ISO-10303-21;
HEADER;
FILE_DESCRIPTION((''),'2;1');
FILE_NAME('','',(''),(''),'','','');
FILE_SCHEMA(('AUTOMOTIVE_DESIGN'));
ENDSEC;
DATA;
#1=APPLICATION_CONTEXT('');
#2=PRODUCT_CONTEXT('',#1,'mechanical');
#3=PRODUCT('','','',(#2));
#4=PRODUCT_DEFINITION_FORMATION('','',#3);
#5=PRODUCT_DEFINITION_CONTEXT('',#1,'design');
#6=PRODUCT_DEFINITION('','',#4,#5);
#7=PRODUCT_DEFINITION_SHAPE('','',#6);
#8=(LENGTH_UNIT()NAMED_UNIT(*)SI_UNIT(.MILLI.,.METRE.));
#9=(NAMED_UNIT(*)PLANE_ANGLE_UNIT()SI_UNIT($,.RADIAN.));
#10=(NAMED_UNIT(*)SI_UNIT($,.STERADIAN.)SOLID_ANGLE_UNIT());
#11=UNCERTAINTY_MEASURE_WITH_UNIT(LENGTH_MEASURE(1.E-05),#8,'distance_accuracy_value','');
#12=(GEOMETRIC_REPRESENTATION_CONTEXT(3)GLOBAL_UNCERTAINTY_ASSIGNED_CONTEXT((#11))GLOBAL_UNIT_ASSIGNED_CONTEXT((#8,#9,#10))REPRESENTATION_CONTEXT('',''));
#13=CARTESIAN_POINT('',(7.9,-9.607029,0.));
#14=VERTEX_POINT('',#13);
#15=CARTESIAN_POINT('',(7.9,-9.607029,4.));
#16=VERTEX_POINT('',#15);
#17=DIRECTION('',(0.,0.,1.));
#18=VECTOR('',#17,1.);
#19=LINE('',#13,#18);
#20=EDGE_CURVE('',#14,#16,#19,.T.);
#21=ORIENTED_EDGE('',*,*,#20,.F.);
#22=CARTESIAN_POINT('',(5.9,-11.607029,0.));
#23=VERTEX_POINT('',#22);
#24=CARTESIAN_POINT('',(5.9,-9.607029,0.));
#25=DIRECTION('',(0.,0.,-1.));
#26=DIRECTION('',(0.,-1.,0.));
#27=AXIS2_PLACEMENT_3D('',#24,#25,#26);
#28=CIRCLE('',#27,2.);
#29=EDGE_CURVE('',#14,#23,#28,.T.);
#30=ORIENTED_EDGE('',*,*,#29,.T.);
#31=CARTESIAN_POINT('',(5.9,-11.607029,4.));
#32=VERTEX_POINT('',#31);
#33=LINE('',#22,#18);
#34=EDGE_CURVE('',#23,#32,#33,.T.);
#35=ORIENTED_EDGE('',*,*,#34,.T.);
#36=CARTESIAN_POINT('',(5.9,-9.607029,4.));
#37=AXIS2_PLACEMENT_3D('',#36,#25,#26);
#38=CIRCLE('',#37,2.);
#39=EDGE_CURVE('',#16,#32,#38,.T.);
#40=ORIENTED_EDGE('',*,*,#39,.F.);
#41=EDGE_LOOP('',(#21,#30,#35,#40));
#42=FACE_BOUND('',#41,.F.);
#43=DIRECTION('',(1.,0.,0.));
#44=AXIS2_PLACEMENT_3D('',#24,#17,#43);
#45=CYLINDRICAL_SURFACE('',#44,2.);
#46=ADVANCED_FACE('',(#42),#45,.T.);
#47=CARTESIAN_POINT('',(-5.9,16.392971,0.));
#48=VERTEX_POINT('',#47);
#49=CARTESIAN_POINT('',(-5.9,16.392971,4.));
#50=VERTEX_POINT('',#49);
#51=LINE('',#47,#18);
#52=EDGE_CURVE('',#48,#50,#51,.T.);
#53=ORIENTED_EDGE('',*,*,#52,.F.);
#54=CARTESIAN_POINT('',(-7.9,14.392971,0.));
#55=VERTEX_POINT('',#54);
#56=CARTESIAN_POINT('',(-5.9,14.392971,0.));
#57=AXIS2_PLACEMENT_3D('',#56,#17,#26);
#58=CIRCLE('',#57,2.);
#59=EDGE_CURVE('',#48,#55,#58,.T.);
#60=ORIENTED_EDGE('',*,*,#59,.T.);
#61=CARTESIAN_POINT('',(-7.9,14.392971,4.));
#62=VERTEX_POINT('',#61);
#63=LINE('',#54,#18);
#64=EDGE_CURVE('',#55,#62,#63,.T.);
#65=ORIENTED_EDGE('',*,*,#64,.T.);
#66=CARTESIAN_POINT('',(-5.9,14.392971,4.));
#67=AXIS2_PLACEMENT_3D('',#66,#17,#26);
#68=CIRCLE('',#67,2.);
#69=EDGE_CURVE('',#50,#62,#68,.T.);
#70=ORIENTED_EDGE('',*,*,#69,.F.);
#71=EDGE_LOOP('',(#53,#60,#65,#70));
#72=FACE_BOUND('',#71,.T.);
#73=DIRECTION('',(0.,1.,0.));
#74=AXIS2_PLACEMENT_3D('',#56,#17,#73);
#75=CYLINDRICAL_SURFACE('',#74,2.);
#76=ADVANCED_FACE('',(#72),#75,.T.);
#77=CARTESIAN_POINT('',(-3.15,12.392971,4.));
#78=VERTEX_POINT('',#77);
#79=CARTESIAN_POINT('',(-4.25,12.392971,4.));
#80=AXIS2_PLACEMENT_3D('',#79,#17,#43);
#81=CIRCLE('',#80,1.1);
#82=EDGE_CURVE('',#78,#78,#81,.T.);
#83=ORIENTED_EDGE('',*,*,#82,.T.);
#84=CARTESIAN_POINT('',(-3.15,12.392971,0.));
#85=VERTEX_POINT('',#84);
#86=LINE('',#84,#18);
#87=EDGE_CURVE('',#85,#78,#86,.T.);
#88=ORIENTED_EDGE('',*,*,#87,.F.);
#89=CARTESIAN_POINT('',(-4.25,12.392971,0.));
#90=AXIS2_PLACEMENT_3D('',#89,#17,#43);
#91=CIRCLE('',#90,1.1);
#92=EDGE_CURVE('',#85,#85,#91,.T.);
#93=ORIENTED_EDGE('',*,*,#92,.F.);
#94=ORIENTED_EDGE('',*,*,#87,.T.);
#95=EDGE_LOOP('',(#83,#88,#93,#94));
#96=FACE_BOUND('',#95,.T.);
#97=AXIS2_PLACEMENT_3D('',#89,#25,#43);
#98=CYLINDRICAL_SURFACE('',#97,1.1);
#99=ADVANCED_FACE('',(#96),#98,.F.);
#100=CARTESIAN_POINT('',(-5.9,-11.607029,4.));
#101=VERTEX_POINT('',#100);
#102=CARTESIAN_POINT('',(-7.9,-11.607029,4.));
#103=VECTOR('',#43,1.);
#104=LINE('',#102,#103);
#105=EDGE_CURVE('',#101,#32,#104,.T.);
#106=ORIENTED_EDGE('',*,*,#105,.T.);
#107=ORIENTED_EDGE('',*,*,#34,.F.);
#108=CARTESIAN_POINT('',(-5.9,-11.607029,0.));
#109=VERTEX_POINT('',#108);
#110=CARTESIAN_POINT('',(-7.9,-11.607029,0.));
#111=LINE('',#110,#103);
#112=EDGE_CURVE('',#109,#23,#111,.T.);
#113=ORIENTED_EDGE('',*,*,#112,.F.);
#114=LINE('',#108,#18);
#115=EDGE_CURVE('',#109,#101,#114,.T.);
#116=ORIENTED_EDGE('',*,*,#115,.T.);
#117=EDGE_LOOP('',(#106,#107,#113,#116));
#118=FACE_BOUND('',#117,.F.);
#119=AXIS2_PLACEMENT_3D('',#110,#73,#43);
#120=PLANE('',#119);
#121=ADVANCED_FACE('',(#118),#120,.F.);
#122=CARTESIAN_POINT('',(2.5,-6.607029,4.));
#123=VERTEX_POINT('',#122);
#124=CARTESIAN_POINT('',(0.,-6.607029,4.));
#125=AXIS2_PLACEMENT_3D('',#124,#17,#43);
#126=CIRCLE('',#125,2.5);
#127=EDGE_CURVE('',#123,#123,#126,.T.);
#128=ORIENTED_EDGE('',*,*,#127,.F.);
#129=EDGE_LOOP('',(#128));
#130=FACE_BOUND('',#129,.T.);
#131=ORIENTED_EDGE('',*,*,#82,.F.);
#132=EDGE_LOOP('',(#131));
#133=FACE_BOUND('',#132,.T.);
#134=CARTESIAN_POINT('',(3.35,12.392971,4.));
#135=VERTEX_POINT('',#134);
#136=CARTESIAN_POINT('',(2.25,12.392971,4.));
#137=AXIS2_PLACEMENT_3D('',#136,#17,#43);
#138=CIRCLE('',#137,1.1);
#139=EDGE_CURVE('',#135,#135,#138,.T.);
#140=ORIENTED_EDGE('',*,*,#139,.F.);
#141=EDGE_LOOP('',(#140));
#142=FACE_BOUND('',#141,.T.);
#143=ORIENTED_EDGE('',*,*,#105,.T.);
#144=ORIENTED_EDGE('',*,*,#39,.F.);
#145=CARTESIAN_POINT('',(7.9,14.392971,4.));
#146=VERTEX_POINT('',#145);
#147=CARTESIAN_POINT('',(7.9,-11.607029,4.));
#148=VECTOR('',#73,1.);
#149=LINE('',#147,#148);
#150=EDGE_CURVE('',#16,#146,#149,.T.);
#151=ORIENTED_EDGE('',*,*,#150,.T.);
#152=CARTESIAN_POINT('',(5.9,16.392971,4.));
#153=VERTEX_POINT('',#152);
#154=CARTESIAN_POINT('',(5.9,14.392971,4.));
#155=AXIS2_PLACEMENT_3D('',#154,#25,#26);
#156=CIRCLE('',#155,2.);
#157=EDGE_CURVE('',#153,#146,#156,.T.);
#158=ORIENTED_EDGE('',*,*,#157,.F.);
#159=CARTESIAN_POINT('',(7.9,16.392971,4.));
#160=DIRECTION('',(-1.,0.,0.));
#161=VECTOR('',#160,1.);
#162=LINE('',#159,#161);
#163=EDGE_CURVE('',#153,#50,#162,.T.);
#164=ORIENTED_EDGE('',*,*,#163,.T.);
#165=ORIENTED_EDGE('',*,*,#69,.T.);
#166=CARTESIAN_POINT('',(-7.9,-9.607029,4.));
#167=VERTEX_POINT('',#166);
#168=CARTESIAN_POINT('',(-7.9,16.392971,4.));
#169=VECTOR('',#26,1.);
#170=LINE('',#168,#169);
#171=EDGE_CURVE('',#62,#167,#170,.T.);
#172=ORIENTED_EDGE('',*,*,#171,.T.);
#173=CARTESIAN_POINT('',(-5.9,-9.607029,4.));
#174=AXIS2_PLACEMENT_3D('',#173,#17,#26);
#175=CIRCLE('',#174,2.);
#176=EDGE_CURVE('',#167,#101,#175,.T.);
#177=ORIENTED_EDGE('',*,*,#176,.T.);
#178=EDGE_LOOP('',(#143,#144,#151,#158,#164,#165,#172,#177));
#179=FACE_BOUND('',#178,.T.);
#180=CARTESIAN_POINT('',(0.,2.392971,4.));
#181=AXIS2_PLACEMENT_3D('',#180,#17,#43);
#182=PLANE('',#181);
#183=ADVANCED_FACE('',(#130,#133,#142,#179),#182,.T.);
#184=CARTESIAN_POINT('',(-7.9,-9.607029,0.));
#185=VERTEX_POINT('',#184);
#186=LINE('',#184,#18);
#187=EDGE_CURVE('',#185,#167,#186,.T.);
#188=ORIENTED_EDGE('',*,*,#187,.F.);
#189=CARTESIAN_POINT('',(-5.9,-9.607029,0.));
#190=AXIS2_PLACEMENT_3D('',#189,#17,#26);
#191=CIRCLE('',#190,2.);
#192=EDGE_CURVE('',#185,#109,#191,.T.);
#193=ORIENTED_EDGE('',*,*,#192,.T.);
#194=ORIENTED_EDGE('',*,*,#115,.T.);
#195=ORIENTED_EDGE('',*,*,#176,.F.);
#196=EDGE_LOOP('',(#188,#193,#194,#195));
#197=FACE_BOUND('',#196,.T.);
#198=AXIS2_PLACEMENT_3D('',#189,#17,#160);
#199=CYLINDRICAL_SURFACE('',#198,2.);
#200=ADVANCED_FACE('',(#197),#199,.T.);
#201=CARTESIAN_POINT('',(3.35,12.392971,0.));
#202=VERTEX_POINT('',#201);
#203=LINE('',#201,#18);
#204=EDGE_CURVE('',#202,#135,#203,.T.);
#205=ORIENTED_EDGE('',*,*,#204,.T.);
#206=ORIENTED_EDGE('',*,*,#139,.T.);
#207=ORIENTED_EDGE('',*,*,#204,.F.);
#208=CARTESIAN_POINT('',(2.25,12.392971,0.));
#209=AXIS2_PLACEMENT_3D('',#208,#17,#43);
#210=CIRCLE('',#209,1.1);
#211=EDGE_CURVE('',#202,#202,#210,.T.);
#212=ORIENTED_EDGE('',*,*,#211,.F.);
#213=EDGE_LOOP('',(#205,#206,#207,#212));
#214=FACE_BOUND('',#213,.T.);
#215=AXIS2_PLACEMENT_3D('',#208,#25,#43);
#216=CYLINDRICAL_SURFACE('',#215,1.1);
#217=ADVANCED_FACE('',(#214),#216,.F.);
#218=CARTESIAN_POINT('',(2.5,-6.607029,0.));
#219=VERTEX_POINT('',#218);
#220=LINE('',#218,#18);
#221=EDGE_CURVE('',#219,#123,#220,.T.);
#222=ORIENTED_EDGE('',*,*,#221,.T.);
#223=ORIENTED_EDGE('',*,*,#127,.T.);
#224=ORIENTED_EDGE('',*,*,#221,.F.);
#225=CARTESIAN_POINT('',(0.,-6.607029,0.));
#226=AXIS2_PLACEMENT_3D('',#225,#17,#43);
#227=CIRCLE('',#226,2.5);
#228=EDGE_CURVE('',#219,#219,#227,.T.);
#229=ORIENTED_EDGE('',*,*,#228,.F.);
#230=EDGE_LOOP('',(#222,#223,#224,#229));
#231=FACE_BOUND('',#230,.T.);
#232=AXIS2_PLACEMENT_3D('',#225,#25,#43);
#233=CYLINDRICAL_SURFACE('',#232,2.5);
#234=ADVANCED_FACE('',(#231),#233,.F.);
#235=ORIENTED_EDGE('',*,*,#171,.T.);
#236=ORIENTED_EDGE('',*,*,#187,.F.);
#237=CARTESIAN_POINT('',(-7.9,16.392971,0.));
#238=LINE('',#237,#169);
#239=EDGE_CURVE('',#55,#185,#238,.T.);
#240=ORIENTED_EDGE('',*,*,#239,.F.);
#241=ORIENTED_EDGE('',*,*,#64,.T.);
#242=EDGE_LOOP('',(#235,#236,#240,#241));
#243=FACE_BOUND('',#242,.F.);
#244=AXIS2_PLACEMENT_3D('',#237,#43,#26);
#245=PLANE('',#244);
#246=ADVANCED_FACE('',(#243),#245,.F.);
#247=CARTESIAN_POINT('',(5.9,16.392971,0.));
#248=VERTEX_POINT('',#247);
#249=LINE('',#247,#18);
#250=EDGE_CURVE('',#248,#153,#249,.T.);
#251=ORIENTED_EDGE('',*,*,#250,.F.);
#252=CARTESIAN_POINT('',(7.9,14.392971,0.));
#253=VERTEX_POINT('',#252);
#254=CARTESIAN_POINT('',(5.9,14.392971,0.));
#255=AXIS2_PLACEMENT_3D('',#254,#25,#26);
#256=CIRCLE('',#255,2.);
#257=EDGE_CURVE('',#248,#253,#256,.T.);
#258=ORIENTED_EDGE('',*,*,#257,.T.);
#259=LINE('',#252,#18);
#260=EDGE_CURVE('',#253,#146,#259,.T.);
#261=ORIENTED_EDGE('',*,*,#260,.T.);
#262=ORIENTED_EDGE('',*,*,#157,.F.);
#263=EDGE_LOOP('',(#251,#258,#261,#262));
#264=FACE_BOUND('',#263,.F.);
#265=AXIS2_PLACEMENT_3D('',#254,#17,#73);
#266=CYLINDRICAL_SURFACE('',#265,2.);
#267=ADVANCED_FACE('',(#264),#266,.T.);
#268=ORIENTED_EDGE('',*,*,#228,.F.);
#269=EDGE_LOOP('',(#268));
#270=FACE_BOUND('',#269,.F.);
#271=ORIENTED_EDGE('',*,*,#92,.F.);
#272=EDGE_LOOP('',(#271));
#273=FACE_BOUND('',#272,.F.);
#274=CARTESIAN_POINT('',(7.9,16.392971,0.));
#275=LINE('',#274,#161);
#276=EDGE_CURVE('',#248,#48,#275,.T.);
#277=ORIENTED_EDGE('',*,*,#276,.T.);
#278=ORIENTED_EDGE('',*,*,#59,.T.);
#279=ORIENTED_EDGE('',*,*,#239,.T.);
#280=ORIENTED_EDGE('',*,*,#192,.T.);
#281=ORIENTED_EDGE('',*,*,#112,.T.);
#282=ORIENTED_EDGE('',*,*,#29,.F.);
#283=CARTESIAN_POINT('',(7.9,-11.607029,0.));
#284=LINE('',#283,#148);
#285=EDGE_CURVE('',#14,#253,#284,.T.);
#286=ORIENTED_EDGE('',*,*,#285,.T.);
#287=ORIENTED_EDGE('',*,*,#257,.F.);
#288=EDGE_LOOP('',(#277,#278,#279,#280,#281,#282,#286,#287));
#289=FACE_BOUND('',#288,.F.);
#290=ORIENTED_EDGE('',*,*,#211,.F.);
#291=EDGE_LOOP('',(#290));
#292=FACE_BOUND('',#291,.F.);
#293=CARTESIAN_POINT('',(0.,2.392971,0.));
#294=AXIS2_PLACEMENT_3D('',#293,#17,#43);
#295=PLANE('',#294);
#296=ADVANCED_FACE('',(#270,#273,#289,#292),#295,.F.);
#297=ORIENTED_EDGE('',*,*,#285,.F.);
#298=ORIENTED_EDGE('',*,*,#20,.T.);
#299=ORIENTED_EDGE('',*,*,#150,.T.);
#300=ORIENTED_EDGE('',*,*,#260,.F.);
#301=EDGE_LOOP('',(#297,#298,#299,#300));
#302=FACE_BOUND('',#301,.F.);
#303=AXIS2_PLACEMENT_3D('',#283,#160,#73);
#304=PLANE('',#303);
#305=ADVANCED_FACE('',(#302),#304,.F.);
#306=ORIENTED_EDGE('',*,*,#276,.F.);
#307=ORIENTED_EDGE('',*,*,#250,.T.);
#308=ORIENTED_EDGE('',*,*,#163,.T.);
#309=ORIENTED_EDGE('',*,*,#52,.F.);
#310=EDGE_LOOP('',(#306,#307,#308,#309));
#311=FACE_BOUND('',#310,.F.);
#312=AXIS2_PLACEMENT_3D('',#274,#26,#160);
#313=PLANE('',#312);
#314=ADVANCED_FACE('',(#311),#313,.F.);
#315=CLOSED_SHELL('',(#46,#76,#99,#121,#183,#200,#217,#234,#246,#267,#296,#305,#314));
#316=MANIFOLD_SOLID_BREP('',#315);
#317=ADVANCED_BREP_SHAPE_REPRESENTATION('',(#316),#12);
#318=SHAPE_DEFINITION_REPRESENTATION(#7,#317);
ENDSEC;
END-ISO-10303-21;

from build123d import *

# Parameters (mm, degrees)
F0_R     = 2.5
F0_R_2   = 1.1
F1_DEPTH = 4
F2_R     = 2


with BuildPart() as f1:
    # F0 (on Top) → F1 (new body)
    with BuildSketch(Plane.XY):
        Polygon((7.9, 16.392971), (0, 16.392971), (-7.9, 16.392971), (-7.9, -11.607029), (0, -11.607029), (7.9, -11.607029), align=None)
        with Locations((0, -6.607029)):
            Circle(F0_R, mode=Mode.SUBTRACT)
        with Locations((-4.25, 12.392971)):
            Circle(F0_R_2, mode=Mode.SUBTRACT)
        with Locations((2.25, 12.392971)):
            Circle(F0_R_2, mode=Mode.SUBTRACT)
    extrude(amount=F1_DEPTH)

    # F2
    f2_edges = [f1.edges().sort_by_distance(p)[0] for p in [
        (7.9, -11.607029, 2),
        (7.9, 16.392971, 2),
        (-7.9, -11.607029, 2),
        (-7.9, 16.392971, 2),
    ]]
    fillet(f2_edges, radius=F2_R)


solid = f1.part
